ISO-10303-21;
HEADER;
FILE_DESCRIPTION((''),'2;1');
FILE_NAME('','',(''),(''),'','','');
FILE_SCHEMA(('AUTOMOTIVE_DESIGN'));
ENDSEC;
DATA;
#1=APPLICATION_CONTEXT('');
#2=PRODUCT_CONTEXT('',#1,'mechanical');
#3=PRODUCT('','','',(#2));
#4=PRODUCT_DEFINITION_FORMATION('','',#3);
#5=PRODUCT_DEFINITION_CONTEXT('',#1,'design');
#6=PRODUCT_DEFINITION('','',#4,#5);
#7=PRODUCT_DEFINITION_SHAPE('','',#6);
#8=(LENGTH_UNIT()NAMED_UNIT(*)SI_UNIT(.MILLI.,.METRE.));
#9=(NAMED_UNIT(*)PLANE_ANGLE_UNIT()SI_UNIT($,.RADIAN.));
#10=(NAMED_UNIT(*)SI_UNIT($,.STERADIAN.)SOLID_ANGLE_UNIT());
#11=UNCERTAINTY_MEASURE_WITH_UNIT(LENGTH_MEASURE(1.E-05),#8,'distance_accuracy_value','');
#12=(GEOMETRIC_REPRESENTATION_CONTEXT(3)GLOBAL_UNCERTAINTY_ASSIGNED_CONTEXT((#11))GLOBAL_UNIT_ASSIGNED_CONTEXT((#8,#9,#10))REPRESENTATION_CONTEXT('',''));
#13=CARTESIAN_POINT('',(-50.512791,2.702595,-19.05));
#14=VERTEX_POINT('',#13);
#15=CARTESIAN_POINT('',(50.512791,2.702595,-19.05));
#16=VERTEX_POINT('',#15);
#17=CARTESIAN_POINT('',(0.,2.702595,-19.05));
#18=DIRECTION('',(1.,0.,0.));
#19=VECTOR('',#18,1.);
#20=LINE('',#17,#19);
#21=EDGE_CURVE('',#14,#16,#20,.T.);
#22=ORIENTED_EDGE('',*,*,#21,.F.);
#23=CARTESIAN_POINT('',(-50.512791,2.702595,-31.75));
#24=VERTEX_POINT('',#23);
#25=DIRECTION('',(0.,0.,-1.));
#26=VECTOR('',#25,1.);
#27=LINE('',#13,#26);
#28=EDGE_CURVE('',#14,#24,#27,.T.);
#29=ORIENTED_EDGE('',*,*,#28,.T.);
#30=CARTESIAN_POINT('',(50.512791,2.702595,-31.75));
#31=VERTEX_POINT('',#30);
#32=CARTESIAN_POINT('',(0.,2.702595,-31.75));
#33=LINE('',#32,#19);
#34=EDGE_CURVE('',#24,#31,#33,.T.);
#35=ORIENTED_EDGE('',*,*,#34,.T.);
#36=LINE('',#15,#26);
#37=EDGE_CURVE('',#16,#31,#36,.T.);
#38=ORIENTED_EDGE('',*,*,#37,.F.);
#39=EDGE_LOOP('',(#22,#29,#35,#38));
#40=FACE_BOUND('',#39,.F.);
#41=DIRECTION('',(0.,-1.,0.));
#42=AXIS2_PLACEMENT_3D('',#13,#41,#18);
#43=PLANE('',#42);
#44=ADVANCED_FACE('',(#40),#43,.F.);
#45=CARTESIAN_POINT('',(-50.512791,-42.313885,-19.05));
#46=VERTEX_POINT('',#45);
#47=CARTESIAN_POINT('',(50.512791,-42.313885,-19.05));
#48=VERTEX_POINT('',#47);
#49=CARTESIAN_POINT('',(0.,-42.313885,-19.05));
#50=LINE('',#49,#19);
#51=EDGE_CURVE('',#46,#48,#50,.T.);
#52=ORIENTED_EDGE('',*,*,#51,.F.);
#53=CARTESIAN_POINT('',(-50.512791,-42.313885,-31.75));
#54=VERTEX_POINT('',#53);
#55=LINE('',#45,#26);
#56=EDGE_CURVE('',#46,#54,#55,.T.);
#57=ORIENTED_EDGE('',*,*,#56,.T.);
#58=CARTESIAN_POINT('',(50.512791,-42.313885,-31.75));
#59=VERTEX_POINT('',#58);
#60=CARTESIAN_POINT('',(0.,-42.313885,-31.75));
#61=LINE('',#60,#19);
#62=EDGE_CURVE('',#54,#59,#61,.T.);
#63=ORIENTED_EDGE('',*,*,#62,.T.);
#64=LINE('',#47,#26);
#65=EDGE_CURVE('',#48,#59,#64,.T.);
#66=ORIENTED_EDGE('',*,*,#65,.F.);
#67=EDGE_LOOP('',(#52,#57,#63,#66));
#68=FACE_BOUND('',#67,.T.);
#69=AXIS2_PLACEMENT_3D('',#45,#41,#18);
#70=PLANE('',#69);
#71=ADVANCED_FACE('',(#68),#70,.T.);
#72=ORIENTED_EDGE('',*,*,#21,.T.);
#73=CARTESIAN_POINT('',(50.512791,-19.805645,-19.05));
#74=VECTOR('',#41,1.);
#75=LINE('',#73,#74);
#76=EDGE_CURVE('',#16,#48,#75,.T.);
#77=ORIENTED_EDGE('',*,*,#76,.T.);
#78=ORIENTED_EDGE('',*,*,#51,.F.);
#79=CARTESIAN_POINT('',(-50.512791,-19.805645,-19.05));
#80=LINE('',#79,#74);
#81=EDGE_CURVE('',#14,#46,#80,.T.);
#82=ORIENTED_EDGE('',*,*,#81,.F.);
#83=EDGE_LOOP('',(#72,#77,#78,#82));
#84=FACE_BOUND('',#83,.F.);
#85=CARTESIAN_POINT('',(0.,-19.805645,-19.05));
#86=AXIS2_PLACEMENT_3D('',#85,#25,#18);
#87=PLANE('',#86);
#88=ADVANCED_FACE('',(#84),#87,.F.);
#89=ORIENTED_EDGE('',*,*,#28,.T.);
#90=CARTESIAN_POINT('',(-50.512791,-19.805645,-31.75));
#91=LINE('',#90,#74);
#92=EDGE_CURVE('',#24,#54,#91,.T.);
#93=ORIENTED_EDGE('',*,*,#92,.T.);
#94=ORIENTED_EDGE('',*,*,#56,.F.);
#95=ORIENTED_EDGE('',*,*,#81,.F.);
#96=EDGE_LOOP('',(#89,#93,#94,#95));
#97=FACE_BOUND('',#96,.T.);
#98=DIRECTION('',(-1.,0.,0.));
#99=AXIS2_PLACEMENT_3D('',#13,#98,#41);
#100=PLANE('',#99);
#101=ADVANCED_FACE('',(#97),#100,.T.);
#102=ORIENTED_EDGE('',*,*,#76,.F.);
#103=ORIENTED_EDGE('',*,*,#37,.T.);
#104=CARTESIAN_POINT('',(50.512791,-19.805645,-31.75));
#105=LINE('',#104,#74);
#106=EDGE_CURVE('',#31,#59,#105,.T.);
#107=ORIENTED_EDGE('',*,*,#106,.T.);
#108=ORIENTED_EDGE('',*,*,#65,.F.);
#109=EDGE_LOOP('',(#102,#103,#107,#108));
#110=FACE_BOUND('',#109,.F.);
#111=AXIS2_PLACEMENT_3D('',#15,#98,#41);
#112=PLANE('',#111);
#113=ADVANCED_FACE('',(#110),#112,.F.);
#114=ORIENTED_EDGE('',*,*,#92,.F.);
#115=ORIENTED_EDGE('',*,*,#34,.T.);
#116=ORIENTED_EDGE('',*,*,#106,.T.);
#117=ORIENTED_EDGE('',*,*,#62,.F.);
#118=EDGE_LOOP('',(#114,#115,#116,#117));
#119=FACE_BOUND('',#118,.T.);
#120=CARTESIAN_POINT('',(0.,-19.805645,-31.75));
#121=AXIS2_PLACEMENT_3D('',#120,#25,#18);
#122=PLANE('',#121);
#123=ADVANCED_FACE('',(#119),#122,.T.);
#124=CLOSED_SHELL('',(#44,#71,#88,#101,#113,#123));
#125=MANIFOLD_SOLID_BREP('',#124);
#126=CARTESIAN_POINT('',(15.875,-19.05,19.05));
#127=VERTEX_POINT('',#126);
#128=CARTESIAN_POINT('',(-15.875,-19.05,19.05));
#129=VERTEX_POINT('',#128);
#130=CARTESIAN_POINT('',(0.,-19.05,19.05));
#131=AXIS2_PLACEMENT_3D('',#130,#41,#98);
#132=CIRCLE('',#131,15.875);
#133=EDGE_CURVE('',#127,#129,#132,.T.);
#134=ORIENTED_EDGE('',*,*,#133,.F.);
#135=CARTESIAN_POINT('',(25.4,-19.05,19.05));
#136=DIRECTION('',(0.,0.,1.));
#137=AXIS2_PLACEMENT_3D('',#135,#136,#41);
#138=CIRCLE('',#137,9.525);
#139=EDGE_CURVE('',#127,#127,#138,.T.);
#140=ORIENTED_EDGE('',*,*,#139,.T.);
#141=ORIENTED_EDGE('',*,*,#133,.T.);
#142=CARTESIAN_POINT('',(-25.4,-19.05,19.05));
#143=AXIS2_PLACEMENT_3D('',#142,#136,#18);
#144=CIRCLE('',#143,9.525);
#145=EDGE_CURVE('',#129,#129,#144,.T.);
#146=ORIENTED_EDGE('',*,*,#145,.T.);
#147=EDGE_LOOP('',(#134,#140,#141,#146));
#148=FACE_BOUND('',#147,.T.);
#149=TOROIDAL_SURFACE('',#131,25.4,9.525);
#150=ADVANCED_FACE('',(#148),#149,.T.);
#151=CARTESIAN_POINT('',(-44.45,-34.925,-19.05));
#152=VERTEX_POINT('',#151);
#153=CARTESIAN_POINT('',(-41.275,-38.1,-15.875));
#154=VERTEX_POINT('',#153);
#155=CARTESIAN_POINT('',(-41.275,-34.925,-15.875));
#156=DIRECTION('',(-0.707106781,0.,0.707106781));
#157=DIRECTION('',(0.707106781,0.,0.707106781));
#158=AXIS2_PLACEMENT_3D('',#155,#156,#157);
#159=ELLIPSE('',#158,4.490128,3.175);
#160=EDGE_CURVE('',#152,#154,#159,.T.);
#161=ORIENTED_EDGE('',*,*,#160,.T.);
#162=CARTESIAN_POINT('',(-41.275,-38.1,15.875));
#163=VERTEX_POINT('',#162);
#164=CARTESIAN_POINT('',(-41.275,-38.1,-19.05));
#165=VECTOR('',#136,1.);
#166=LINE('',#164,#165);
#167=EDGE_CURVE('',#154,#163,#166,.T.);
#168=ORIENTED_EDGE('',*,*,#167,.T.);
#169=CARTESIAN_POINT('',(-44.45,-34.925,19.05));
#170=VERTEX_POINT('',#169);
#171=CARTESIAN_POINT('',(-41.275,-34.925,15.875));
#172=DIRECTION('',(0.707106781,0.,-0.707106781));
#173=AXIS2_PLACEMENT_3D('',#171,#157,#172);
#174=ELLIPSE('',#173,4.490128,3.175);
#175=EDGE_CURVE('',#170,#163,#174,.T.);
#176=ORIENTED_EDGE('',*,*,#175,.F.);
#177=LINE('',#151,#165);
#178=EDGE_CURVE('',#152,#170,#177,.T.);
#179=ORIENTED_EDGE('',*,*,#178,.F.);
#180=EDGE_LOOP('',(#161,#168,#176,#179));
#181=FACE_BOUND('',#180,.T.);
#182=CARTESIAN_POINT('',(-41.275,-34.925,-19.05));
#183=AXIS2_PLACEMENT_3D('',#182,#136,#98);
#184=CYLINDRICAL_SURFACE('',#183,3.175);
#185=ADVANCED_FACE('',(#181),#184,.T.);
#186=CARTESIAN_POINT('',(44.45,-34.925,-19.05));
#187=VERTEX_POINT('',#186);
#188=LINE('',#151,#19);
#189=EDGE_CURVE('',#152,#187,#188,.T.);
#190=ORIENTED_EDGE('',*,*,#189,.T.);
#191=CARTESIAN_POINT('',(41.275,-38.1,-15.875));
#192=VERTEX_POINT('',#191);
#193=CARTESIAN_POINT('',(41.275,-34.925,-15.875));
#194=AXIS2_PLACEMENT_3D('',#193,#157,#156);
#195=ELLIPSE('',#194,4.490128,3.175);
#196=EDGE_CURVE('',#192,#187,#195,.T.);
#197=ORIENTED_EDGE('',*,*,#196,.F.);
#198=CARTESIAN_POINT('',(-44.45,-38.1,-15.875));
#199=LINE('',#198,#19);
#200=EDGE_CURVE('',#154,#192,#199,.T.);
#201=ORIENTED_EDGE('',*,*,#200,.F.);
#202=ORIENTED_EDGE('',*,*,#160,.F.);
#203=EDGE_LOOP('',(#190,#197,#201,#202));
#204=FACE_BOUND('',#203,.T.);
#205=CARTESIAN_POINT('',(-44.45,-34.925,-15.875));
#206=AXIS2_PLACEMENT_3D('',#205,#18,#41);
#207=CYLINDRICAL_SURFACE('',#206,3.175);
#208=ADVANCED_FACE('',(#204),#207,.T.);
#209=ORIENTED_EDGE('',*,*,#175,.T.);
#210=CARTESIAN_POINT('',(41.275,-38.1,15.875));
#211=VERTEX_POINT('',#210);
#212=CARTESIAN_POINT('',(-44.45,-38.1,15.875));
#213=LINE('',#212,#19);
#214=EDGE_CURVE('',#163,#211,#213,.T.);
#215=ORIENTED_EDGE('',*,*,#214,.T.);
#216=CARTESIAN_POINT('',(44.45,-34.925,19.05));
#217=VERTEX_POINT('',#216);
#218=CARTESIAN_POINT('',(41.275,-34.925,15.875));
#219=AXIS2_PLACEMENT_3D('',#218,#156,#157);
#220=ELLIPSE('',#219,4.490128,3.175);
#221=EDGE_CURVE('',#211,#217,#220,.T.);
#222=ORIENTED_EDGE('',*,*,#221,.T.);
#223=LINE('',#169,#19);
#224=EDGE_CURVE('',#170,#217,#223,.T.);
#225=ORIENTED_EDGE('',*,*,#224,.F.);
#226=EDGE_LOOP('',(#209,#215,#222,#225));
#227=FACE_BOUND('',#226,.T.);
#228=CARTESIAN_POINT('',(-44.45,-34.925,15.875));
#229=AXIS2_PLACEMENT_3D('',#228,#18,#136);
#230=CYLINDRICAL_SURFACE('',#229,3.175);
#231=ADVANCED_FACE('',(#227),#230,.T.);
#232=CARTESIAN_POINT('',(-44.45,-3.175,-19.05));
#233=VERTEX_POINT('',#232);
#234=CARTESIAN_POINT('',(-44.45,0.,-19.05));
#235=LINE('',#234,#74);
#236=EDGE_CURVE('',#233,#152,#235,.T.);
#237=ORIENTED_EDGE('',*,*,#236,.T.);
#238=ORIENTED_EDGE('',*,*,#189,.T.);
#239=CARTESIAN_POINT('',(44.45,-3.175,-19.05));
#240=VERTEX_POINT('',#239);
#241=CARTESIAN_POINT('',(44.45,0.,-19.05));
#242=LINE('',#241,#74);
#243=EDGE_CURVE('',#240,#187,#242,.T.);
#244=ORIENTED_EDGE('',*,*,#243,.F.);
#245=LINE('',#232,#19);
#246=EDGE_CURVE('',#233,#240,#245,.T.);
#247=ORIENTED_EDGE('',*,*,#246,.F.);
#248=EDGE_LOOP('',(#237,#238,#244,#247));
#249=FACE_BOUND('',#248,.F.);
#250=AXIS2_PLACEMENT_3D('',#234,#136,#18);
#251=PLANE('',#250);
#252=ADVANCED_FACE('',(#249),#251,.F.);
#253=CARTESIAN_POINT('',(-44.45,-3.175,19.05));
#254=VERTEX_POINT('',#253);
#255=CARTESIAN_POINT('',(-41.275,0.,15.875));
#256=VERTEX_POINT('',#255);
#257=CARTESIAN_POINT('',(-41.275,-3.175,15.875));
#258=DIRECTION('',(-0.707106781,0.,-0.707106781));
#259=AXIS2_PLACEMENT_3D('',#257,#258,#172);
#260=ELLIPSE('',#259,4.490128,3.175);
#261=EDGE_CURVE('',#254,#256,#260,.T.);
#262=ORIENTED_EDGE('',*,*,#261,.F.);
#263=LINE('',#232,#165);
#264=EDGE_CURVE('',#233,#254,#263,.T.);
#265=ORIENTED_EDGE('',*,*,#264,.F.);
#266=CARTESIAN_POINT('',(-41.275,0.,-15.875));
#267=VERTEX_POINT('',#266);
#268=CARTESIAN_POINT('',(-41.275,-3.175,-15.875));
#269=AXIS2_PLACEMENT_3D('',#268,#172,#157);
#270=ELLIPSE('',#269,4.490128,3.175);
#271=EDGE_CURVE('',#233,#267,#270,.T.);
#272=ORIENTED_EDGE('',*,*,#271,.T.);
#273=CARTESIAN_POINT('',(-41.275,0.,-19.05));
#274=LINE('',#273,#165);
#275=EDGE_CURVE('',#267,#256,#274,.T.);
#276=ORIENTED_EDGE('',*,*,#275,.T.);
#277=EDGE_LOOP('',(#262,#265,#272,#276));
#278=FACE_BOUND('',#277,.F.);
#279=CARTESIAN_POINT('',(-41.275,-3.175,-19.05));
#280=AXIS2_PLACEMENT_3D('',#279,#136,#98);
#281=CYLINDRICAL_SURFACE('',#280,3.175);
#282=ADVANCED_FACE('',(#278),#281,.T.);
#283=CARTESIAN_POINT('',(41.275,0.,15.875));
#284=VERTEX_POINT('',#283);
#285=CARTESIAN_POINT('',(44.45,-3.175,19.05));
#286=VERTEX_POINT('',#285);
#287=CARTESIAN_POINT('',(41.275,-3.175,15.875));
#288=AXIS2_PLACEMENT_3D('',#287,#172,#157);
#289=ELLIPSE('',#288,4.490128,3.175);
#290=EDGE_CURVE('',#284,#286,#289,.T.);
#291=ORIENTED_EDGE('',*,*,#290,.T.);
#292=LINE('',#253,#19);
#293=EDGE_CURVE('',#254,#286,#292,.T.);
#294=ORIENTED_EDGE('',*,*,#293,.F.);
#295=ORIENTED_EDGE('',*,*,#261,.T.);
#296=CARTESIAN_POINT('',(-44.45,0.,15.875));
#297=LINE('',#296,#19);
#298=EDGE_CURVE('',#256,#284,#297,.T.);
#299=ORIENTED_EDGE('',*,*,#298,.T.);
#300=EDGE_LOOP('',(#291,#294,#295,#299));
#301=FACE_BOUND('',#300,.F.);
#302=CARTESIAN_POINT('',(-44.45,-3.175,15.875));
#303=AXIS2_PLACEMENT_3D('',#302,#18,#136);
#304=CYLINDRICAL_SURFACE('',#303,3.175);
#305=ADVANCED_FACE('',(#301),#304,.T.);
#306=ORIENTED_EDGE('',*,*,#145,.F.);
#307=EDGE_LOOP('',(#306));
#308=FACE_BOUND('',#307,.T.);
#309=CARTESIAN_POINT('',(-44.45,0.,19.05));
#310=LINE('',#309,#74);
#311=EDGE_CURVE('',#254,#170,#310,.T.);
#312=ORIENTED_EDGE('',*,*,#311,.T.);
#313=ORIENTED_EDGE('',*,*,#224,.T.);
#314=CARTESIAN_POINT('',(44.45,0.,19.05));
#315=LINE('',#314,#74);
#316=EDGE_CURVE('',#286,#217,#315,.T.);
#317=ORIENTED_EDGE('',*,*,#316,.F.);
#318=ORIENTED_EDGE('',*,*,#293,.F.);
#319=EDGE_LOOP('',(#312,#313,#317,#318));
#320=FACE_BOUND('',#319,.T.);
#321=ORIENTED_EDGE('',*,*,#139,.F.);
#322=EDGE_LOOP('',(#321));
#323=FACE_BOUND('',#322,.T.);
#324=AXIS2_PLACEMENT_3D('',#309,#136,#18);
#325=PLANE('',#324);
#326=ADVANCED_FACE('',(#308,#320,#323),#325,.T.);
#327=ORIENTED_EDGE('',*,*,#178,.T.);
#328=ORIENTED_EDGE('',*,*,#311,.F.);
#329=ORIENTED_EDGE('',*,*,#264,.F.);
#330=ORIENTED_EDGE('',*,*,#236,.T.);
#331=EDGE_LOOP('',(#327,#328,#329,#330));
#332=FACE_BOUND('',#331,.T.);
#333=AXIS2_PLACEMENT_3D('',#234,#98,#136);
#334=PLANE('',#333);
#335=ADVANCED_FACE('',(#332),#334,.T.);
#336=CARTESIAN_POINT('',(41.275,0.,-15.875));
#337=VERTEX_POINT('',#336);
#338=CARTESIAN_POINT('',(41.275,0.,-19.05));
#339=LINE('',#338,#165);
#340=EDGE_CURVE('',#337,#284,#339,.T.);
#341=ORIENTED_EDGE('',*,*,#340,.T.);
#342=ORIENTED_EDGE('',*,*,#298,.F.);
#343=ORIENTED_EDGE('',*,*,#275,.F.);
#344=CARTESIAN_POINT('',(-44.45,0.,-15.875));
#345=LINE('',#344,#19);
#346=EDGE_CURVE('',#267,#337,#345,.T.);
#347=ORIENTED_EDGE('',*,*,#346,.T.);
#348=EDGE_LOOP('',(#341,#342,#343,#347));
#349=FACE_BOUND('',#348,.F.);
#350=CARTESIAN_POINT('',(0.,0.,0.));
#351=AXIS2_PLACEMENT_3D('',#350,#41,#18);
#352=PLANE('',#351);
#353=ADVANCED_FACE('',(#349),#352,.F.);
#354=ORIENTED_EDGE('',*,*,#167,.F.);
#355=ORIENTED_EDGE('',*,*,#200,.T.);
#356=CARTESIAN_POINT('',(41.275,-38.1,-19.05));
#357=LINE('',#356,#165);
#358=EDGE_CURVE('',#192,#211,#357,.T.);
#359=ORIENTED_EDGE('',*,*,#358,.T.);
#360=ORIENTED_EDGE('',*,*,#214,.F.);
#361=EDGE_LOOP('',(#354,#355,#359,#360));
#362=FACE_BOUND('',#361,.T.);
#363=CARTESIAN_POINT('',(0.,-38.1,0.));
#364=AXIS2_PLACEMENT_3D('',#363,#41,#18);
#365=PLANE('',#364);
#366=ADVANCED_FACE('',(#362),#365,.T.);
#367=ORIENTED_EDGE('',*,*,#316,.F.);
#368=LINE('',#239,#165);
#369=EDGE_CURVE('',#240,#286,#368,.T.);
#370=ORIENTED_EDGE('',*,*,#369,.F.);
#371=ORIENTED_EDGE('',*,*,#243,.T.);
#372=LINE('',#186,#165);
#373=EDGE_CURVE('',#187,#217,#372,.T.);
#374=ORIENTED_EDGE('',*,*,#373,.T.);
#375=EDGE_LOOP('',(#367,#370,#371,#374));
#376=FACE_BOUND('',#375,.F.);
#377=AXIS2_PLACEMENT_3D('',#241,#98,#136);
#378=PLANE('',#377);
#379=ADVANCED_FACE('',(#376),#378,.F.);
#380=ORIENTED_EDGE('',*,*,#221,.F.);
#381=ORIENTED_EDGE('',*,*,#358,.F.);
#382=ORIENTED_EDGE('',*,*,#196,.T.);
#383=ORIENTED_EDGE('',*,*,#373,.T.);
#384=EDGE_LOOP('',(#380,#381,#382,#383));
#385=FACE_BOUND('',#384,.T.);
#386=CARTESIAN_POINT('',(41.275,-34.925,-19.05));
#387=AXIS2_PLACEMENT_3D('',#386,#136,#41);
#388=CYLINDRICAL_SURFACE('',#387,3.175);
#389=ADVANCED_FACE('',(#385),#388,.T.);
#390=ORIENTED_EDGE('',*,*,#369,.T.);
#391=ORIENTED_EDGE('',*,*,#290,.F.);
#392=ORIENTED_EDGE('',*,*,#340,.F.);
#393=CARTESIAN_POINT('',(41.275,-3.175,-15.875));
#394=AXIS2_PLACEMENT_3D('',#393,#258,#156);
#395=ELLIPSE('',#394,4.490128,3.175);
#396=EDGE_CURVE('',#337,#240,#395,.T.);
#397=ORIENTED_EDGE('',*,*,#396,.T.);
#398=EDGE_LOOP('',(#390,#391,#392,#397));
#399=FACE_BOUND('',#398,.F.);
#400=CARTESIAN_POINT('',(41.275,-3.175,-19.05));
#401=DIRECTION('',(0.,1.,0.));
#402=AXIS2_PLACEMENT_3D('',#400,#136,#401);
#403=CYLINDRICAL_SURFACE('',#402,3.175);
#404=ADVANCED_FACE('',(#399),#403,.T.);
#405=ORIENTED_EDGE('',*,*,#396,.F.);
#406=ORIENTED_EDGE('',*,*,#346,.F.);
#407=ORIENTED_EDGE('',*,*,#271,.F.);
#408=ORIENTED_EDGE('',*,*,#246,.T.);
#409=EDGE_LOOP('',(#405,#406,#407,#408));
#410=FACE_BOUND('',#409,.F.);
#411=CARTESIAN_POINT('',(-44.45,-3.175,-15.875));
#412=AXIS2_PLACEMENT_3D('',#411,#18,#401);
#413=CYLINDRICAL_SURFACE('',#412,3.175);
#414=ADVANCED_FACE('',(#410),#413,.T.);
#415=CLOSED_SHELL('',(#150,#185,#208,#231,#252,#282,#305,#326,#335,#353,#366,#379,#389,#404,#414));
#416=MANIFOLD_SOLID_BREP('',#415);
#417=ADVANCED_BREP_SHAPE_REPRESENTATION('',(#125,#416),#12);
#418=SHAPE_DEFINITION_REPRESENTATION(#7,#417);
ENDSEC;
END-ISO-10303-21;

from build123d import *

# Parameters (mm, degrees)
F0_W     = 88.9
F0_H     = 38.1
F1_DEPTH = 38.1
F2_R     = 9.525
F4_R     = 3.175
F5_W     = 101.025582
F5_H     = 45.01648
F6_DEPTH = 12.7


with BuildPart() as f1:
    # F0 (on Front) → F1 (new body)
    with BuildSketch(Plane.XZ):
        Rectangle(F0_W, F0_H)
    extrude(amount=F1_DEPTH)

    # F2 (on face) → F3 (revolve)
    with BuildSketch(Plane.XY.offset(19.05)):
        with Locations((-25.4, -19.05)):
            Circle(F2_R)
    revolve(axis=Axis((0, -24.738075, 19.05), (0, -1, 0)))

    # F4
    f4_edges = [f1.edges().sort_by_distance(p)[0] for p in [
        (44.45, -38.1, 0),
        (0, -38.1, 19.05),
        (-44.45, -38.1, 0),
        (0, -38.1, -19.05),
        (44.45, 0, 0),
        (0, 0, 19.05),
        (-44.45, 0, 0),
        (0, 0, -19.05),
    ]]
    fillet(f4_edges, radius=F4_R)


with BuildPart() as f6:
    # F5 (on face) → F6 (new body)
    with BuildSketch(Plane(origin=(0, 0, -19.05), x_dir=(1, 0, 0), z_dir=(0, 0, -1))):
        with Locations((0, 19.805645)):
            Rectangle(F5_W, F5_H)
    extrude(amount=F6_DEPTH)


solid = Compound([f1.part, f6.part])
